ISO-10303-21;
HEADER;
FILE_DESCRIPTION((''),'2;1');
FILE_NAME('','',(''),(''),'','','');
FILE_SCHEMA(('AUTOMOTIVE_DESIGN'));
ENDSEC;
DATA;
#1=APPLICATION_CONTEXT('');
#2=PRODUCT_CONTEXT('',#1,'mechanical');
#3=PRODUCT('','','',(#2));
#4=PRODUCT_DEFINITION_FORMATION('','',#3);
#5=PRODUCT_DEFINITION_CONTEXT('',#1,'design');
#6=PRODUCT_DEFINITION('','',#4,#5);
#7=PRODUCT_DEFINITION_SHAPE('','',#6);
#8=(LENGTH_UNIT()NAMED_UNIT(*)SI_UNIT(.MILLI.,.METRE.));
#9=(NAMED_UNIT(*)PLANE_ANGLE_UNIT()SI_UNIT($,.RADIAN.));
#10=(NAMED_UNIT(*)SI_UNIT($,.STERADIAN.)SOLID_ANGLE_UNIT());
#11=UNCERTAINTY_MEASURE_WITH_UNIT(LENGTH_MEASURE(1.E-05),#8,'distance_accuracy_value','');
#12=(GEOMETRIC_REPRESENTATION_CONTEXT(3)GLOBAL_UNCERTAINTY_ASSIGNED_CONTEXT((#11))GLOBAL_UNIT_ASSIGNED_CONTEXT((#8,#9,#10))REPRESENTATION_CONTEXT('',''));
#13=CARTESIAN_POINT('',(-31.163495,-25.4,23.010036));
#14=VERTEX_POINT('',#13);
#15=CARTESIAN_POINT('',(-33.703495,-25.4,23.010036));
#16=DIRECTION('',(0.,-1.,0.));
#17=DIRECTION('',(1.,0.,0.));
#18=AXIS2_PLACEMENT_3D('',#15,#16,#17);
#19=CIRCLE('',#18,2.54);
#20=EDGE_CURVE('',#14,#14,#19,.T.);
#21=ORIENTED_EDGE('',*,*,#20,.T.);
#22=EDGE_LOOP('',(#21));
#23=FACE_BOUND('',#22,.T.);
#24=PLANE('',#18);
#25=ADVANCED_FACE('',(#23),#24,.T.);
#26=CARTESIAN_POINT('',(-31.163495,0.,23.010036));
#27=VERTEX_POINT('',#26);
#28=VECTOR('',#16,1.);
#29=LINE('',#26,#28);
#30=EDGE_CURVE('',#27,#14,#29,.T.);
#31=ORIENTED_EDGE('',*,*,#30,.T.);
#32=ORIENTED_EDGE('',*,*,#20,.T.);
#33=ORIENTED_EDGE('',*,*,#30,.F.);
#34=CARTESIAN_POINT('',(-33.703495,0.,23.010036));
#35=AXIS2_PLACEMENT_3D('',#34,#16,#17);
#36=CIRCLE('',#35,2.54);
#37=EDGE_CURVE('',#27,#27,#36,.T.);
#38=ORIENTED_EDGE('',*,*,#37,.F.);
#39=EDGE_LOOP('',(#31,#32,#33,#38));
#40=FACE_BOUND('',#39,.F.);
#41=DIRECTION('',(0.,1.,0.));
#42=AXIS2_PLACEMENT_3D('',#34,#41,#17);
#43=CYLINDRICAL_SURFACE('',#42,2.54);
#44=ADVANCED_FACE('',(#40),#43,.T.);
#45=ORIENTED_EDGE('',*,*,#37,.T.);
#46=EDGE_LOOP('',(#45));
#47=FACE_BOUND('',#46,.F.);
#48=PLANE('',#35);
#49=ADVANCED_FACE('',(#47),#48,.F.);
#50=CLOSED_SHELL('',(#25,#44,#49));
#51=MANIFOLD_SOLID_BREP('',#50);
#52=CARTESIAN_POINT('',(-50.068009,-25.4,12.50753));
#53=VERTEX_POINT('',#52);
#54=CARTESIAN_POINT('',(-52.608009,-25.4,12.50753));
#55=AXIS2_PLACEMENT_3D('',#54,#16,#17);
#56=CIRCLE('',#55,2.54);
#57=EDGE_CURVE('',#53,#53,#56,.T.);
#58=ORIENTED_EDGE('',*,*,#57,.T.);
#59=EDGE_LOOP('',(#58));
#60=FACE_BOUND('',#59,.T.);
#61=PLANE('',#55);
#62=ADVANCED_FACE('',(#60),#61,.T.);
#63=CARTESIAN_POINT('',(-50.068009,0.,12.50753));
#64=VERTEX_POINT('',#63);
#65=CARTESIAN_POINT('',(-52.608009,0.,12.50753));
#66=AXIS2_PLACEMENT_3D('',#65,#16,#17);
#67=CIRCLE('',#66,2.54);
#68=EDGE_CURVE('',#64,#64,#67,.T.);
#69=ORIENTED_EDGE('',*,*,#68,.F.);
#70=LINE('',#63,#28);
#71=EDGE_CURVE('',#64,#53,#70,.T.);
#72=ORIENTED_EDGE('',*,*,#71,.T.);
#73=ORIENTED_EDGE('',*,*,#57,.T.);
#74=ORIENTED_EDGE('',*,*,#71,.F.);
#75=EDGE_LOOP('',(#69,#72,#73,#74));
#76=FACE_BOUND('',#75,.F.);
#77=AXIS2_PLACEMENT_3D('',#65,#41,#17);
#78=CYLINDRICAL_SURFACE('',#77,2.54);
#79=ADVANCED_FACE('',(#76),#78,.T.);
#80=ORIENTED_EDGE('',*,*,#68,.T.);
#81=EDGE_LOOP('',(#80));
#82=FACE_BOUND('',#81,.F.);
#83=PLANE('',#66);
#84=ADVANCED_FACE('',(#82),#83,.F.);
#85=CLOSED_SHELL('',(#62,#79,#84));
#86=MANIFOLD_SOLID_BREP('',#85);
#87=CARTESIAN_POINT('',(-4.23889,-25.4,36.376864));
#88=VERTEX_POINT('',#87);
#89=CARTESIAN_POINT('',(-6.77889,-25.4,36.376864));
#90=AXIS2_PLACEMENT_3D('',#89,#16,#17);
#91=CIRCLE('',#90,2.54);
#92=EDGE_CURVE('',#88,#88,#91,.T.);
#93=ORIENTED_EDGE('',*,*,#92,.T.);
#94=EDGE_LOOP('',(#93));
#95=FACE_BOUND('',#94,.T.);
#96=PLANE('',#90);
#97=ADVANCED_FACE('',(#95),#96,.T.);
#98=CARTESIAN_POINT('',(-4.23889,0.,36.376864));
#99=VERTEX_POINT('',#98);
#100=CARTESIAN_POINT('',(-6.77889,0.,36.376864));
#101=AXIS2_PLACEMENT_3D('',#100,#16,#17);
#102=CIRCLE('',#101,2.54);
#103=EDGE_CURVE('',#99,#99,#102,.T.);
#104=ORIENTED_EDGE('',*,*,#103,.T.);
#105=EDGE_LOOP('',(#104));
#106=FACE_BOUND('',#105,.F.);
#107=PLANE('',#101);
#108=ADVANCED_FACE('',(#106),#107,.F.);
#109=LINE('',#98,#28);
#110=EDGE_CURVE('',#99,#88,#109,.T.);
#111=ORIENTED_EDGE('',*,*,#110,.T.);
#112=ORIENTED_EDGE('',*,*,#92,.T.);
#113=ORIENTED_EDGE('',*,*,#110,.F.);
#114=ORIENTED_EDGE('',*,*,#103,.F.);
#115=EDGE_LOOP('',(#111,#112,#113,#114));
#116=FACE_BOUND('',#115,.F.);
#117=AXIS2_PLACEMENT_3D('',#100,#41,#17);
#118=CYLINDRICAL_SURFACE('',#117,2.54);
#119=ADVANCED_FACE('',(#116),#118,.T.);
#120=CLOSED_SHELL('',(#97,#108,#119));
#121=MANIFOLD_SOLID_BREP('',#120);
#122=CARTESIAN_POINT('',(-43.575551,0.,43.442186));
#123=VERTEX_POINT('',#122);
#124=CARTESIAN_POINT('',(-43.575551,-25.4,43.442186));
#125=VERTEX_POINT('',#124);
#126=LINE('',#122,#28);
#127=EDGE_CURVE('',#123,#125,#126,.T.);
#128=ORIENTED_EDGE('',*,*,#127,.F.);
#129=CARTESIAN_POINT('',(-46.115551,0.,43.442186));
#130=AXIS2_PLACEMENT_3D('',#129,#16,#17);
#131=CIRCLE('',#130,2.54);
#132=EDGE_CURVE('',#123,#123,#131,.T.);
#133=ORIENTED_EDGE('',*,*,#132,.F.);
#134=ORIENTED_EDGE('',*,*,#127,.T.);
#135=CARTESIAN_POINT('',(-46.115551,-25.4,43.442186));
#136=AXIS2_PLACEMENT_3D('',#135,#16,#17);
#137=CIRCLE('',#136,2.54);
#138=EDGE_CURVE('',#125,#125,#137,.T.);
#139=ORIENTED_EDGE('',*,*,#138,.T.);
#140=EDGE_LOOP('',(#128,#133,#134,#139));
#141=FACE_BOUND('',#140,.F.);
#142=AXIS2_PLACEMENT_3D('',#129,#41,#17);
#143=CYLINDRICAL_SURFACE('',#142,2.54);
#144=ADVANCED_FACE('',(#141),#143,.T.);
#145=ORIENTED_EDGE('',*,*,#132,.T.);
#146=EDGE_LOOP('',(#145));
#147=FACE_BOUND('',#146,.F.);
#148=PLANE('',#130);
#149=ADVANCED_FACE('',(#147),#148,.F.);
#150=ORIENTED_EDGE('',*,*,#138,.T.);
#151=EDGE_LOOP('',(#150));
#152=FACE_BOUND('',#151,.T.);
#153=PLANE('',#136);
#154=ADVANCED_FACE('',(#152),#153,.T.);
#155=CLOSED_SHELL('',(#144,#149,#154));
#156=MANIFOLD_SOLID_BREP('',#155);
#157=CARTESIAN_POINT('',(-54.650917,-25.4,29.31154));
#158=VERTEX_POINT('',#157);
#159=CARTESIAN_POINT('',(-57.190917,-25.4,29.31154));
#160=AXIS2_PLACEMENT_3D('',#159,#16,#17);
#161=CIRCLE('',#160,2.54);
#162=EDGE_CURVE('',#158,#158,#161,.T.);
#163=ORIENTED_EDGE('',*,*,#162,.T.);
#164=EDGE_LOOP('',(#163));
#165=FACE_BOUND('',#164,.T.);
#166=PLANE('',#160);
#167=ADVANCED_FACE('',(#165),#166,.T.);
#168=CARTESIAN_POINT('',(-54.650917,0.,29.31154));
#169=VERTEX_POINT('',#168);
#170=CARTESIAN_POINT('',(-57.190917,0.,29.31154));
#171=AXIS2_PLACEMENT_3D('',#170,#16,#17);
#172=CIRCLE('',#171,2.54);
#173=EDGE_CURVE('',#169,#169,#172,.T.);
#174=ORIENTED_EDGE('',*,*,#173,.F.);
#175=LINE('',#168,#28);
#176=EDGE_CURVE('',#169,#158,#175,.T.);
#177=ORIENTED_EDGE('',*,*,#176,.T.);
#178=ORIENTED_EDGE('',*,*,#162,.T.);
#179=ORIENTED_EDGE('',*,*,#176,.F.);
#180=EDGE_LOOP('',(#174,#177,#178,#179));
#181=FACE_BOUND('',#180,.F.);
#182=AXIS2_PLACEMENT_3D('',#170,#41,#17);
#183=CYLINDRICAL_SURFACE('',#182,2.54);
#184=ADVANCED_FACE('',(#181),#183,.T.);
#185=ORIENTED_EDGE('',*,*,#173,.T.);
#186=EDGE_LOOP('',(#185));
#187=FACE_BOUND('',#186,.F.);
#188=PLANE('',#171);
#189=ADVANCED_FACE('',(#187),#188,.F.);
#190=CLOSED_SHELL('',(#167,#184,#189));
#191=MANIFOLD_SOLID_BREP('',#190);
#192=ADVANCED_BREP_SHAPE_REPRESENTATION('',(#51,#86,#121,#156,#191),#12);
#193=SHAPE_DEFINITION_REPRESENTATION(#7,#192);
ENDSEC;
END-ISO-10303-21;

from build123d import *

# Parameters (mm, degrees)
F0_R     = 2.54
F1_DEPTH = 25.4


with BuildPart() as f1:
    # F0 (on Front) → F1 (new body)
    with BuildSketch(Plane.XZ):
        with Locations((-33.703495, 23.010036)):
            Circle(F0_R)
        with Locations((-6.77889, 36.376864)):
            Circle(F0_R)
        with Locations((-46.115551, 43.442186)):
            Circle(F0_R)
        with Locations((-57.190917, 29.31154)):
            Circle(F0_R)
        with Locations((-52.608009, 12.50753)):
            Circle(F0_R)
    extrude(amount=F1_DEPTH)


solid = f1.part
